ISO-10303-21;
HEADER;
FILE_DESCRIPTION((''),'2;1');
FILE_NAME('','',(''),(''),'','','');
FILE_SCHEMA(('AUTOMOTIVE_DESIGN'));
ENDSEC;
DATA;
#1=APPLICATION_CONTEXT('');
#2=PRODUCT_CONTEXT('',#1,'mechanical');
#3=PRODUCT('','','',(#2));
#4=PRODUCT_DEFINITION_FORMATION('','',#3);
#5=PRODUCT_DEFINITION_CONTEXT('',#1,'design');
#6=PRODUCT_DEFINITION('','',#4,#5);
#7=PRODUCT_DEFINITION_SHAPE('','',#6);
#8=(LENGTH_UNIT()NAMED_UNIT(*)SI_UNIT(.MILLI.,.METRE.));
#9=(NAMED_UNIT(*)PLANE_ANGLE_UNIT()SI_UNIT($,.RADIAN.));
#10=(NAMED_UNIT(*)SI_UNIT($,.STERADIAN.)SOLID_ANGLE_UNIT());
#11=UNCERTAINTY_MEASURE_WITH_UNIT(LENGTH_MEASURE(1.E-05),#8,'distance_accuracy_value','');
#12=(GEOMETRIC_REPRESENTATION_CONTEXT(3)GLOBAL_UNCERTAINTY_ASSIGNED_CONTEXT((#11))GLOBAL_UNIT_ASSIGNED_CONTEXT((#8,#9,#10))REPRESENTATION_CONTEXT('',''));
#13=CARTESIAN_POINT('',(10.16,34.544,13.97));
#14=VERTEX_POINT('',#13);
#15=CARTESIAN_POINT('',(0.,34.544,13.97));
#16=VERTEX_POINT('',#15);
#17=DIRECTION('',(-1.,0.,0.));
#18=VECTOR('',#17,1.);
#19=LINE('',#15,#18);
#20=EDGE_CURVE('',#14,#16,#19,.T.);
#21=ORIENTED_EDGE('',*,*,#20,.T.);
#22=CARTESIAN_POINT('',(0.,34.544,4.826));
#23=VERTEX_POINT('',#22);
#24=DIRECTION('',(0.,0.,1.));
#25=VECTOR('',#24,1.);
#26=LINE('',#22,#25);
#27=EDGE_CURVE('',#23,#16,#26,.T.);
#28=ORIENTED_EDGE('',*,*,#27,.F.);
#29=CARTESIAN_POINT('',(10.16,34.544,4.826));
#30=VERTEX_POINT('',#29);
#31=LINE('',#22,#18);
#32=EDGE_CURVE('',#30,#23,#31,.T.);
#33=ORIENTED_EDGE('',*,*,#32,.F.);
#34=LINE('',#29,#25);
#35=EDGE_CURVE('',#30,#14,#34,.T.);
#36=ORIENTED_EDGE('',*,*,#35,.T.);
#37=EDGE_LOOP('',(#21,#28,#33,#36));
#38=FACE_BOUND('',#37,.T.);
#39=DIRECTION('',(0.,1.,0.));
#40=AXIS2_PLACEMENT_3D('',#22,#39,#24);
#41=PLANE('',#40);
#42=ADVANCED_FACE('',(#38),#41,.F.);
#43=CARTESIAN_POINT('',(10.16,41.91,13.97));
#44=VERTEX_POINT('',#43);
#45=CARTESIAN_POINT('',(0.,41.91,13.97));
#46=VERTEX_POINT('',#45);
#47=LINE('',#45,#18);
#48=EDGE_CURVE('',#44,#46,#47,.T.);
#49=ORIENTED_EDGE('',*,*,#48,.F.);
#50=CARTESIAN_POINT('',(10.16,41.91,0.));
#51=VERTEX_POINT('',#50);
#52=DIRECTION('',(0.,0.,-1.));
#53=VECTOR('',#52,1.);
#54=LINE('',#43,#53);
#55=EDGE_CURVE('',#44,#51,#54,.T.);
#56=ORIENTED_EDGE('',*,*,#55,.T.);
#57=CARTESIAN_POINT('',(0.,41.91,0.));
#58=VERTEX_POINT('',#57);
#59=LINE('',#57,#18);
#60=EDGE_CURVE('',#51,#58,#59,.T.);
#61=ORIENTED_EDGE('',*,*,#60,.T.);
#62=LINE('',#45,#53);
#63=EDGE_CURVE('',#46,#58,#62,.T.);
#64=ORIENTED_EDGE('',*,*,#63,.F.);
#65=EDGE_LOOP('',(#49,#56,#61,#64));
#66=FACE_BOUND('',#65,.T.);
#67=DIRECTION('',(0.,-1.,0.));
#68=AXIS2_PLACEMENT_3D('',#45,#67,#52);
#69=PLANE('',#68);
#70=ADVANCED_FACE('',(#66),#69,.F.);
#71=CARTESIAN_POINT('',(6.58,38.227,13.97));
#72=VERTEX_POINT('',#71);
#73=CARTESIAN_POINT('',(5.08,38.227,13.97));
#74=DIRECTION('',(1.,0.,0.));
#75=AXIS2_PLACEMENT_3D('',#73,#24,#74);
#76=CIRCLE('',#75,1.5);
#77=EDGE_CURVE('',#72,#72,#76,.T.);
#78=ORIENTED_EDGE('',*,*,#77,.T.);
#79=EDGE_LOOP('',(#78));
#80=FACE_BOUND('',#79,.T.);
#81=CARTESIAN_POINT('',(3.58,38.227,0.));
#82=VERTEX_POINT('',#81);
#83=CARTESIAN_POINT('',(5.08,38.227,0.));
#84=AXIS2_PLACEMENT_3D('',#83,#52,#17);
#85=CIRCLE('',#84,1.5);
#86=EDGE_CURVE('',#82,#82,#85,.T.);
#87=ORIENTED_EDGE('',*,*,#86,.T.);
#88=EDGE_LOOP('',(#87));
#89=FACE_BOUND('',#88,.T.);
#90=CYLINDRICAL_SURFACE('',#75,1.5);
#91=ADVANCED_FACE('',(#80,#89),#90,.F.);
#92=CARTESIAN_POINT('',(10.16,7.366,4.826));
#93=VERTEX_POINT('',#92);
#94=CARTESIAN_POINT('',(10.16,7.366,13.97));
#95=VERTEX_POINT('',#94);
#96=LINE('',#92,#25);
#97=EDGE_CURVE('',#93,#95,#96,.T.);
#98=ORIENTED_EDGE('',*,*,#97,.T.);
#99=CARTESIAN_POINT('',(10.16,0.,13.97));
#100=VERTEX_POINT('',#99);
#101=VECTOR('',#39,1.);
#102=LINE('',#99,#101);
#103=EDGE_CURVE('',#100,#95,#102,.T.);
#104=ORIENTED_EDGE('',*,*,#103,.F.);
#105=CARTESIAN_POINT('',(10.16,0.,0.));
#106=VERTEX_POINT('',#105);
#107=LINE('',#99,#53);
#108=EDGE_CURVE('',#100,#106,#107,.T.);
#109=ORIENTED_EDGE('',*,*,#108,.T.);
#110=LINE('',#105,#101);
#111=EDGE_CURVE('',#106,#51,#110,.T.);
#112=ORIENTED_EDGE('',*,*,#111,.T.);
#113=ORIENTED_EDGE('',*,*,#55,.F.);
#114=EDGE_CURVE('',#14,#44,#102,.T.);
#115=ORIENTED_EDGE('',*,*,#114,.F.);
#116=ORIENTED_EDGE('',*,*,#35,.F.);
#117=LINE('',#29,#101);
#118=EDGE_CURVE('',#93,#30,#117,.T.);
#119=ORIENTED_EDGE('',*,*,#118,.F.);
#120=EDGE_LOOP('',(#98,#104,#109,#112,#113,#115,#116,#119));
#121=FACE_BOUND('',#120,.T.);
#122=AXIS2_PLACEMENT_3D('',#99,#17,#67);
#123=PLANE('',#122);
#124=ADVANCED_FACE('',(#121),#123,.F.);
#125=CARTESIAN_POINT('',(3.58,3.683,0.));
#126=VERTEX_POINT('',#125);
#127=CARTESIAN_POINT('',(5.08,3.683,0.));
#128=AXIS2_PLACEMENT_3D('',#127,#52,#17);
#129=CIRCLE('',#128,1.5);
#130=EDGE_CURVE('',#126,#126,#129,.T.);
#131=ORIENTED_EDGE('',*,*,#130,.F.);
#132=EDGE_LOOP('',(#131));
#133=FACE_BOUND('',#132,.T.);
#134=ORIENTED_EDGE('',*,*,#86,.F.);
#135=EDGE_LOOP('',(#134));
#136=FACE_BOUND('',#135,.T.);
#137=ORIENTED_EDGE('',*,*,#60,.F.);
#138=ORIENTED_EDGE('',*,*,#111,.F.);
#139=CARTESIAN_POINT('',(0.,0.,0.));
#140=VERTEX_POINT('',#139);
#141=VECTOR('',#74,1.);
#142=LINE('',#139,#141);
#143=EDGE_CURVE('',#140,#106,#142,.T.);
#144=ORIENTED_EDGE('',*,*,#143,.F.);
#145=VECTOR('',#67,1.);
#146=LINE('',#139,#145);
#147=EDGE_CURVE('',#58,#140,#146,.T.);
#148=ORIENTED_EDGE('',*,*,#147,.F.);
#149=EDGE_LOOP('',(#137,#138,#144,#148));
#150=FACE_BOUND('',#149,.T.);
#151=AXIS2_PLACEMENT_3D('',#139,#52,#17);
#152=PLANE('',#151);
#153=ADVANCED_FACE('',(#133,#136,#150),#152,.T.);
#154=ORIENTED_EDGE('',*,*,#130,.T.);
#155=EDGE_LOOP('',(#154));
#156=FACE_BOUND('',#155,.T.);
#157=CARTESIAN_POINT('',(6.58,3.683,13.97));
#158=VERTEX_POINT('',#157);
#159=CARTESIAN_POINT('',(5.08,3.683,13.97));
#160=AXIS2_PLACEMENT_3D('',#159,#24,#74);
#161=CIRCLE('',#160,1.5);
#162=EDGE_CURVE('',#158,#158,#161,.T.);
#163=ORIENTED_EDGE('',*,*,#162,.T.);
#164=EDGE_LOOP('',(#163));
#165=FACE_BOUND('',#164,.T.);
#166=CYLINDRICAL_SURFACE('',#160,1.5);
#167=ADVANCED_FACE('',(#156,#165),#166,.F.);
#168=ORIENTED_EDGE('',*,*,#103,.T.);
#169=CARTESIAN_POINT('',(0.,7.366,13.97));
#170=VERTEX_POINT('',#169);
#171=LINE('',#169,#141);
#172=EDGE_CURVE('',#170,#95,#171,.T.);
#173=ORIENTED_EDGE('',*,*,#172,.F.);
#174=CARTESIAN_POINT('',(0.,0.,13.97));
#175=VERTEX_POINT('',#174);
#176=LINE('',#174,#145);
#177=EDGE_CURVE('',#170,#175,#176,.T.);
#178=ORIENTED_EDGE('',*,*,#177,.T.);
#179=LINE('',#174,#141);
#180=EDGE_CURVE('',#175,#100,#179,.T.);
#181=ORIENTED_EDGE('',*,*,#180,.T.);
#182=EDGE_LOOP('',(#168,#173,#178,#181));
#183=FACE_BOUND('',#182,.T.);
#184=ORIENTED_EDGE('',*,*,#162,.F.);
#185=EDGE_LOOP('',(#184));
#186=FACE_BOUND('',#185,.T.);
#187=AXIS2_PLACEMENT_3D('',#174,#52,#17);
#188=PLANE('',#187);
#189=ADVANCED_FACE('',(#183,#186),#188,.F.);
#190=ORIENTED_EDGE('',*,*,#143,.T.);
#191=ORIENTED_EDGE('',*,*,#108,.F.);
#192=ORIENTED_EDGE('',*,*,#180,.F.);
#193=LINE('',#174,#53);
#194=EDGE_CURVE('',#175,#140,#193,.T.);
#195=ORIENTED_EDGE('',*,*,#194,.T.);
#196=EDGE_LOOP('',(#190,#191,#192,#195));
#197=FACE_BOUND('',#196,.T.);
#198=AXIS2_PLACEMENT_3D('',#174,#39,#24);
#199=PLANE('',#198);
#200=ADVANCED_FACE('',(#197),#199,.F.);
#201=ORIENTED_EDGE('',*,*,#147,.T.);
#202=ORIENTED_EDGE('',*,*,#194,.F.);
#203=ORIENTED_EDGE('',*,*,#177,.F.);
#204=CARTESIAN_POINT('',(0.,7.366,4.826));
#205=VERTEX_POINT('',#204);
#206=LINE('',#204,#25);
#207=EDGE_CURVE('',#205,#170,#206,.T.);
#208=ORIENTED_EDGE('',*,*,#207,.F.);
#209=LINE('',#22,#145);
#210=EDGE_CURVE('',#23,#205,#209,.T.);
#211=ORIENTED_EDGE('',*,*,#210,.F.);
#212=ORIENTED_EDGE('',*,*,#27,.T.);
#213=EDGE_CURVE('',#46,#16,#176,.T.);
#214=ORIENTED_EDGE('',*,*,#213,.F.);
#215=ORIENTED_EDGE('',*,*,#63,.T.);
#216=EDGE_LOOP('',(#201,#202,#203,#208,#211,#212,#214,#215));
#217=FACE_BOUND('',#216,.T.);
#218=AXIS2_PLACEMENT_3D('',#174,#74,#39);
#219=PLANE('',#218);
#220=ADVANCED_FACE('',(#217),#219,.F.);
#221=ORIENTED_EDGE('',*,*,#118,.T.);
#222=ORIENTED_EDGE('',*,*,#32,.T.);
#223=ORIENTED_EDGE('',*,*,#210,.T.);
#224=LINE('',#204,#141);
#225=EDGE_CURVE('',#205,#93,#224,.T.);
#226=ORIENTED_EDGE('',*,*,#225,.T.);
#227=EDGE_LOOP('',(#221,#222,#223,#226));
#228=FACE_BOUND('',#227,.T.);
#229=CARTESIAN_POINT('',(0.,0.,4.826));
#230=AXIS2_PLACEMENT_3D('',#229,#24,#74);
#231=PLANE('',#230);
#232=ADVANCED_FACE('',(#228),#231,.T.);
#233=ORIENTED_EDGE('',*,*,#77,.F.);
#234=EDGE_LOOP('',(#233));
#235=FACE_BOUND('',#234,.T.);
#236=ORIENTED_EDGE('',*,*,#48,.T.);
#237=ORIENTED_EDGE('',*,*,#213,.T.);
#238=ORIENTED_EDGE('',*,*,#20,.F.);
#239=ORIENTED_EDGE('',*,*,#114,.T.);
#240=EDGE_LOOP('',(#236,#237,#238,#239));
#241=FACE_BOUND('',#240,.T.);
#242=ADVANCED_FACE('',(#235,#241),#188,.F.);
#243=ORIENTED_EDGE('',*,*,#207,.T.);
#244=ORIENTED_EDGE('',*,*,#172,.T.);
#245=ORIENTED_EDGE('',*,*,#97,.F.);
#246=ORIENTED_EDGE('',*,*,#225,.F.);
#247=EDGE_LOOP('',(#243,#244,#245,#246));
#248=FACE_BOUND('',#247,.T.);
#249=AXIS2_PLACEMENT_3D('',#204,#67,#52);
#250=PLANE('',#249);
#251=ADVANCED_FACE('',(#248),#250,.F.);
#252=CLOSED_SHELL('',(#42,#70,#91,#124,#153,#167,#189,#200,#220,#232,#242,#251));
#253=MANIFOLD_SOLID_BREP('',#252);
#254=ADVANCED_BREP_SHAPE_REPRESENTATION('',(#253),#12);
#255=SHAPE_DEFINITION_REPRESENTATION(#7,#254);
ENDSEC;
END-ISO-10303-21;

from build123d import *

# Parameters (mm, degrees)
SKETCH1_W             = 10.16
SKETCH1_H             = 41.91
BOSS_EXTRUDE1_DEPTH   = 13.97
SKETCH2_W             = 10.16
SKETCH2_H             = 27.178
CUT_EXTRUDE1_DEPTH    = 9.144
F_3_0MM_DOWEL_HOLE1_D = 3


with BuildPart() as part:
    # Sketch1 → Boss-Extrude1 (new body)
    with BuildSketch(Plane.XY):
        with Locations((5.08, 20.955)):
            Rectangle(SKETCH1_W, SKETCH1_H)
    extrude(amount=BOSS_EXTRUDE1_DEPTH)

    # Sketch2 → Cut-Extrude1 (cut)
    with BuildSketch(Plane.XY.offset(13.97)):
        with Locations((5.08, 20.955)):
            Rectangle(SKETCH2_W, SKETCH2_H)
    extrude(amount=-CUT_EXTRUDE1_DEPTH, mode=Mode.SUBTRACT)

    # Ø3.0mm Dowel Hole1 (through all)
    with Locations(Plane.XY.offset(13.97)):
        with Locations((5.08, 3.683), (5.08, 38.227)):
            Hole(F_3_0MM_DOWEL_HOLE1_D / 2)


solid = part.part
